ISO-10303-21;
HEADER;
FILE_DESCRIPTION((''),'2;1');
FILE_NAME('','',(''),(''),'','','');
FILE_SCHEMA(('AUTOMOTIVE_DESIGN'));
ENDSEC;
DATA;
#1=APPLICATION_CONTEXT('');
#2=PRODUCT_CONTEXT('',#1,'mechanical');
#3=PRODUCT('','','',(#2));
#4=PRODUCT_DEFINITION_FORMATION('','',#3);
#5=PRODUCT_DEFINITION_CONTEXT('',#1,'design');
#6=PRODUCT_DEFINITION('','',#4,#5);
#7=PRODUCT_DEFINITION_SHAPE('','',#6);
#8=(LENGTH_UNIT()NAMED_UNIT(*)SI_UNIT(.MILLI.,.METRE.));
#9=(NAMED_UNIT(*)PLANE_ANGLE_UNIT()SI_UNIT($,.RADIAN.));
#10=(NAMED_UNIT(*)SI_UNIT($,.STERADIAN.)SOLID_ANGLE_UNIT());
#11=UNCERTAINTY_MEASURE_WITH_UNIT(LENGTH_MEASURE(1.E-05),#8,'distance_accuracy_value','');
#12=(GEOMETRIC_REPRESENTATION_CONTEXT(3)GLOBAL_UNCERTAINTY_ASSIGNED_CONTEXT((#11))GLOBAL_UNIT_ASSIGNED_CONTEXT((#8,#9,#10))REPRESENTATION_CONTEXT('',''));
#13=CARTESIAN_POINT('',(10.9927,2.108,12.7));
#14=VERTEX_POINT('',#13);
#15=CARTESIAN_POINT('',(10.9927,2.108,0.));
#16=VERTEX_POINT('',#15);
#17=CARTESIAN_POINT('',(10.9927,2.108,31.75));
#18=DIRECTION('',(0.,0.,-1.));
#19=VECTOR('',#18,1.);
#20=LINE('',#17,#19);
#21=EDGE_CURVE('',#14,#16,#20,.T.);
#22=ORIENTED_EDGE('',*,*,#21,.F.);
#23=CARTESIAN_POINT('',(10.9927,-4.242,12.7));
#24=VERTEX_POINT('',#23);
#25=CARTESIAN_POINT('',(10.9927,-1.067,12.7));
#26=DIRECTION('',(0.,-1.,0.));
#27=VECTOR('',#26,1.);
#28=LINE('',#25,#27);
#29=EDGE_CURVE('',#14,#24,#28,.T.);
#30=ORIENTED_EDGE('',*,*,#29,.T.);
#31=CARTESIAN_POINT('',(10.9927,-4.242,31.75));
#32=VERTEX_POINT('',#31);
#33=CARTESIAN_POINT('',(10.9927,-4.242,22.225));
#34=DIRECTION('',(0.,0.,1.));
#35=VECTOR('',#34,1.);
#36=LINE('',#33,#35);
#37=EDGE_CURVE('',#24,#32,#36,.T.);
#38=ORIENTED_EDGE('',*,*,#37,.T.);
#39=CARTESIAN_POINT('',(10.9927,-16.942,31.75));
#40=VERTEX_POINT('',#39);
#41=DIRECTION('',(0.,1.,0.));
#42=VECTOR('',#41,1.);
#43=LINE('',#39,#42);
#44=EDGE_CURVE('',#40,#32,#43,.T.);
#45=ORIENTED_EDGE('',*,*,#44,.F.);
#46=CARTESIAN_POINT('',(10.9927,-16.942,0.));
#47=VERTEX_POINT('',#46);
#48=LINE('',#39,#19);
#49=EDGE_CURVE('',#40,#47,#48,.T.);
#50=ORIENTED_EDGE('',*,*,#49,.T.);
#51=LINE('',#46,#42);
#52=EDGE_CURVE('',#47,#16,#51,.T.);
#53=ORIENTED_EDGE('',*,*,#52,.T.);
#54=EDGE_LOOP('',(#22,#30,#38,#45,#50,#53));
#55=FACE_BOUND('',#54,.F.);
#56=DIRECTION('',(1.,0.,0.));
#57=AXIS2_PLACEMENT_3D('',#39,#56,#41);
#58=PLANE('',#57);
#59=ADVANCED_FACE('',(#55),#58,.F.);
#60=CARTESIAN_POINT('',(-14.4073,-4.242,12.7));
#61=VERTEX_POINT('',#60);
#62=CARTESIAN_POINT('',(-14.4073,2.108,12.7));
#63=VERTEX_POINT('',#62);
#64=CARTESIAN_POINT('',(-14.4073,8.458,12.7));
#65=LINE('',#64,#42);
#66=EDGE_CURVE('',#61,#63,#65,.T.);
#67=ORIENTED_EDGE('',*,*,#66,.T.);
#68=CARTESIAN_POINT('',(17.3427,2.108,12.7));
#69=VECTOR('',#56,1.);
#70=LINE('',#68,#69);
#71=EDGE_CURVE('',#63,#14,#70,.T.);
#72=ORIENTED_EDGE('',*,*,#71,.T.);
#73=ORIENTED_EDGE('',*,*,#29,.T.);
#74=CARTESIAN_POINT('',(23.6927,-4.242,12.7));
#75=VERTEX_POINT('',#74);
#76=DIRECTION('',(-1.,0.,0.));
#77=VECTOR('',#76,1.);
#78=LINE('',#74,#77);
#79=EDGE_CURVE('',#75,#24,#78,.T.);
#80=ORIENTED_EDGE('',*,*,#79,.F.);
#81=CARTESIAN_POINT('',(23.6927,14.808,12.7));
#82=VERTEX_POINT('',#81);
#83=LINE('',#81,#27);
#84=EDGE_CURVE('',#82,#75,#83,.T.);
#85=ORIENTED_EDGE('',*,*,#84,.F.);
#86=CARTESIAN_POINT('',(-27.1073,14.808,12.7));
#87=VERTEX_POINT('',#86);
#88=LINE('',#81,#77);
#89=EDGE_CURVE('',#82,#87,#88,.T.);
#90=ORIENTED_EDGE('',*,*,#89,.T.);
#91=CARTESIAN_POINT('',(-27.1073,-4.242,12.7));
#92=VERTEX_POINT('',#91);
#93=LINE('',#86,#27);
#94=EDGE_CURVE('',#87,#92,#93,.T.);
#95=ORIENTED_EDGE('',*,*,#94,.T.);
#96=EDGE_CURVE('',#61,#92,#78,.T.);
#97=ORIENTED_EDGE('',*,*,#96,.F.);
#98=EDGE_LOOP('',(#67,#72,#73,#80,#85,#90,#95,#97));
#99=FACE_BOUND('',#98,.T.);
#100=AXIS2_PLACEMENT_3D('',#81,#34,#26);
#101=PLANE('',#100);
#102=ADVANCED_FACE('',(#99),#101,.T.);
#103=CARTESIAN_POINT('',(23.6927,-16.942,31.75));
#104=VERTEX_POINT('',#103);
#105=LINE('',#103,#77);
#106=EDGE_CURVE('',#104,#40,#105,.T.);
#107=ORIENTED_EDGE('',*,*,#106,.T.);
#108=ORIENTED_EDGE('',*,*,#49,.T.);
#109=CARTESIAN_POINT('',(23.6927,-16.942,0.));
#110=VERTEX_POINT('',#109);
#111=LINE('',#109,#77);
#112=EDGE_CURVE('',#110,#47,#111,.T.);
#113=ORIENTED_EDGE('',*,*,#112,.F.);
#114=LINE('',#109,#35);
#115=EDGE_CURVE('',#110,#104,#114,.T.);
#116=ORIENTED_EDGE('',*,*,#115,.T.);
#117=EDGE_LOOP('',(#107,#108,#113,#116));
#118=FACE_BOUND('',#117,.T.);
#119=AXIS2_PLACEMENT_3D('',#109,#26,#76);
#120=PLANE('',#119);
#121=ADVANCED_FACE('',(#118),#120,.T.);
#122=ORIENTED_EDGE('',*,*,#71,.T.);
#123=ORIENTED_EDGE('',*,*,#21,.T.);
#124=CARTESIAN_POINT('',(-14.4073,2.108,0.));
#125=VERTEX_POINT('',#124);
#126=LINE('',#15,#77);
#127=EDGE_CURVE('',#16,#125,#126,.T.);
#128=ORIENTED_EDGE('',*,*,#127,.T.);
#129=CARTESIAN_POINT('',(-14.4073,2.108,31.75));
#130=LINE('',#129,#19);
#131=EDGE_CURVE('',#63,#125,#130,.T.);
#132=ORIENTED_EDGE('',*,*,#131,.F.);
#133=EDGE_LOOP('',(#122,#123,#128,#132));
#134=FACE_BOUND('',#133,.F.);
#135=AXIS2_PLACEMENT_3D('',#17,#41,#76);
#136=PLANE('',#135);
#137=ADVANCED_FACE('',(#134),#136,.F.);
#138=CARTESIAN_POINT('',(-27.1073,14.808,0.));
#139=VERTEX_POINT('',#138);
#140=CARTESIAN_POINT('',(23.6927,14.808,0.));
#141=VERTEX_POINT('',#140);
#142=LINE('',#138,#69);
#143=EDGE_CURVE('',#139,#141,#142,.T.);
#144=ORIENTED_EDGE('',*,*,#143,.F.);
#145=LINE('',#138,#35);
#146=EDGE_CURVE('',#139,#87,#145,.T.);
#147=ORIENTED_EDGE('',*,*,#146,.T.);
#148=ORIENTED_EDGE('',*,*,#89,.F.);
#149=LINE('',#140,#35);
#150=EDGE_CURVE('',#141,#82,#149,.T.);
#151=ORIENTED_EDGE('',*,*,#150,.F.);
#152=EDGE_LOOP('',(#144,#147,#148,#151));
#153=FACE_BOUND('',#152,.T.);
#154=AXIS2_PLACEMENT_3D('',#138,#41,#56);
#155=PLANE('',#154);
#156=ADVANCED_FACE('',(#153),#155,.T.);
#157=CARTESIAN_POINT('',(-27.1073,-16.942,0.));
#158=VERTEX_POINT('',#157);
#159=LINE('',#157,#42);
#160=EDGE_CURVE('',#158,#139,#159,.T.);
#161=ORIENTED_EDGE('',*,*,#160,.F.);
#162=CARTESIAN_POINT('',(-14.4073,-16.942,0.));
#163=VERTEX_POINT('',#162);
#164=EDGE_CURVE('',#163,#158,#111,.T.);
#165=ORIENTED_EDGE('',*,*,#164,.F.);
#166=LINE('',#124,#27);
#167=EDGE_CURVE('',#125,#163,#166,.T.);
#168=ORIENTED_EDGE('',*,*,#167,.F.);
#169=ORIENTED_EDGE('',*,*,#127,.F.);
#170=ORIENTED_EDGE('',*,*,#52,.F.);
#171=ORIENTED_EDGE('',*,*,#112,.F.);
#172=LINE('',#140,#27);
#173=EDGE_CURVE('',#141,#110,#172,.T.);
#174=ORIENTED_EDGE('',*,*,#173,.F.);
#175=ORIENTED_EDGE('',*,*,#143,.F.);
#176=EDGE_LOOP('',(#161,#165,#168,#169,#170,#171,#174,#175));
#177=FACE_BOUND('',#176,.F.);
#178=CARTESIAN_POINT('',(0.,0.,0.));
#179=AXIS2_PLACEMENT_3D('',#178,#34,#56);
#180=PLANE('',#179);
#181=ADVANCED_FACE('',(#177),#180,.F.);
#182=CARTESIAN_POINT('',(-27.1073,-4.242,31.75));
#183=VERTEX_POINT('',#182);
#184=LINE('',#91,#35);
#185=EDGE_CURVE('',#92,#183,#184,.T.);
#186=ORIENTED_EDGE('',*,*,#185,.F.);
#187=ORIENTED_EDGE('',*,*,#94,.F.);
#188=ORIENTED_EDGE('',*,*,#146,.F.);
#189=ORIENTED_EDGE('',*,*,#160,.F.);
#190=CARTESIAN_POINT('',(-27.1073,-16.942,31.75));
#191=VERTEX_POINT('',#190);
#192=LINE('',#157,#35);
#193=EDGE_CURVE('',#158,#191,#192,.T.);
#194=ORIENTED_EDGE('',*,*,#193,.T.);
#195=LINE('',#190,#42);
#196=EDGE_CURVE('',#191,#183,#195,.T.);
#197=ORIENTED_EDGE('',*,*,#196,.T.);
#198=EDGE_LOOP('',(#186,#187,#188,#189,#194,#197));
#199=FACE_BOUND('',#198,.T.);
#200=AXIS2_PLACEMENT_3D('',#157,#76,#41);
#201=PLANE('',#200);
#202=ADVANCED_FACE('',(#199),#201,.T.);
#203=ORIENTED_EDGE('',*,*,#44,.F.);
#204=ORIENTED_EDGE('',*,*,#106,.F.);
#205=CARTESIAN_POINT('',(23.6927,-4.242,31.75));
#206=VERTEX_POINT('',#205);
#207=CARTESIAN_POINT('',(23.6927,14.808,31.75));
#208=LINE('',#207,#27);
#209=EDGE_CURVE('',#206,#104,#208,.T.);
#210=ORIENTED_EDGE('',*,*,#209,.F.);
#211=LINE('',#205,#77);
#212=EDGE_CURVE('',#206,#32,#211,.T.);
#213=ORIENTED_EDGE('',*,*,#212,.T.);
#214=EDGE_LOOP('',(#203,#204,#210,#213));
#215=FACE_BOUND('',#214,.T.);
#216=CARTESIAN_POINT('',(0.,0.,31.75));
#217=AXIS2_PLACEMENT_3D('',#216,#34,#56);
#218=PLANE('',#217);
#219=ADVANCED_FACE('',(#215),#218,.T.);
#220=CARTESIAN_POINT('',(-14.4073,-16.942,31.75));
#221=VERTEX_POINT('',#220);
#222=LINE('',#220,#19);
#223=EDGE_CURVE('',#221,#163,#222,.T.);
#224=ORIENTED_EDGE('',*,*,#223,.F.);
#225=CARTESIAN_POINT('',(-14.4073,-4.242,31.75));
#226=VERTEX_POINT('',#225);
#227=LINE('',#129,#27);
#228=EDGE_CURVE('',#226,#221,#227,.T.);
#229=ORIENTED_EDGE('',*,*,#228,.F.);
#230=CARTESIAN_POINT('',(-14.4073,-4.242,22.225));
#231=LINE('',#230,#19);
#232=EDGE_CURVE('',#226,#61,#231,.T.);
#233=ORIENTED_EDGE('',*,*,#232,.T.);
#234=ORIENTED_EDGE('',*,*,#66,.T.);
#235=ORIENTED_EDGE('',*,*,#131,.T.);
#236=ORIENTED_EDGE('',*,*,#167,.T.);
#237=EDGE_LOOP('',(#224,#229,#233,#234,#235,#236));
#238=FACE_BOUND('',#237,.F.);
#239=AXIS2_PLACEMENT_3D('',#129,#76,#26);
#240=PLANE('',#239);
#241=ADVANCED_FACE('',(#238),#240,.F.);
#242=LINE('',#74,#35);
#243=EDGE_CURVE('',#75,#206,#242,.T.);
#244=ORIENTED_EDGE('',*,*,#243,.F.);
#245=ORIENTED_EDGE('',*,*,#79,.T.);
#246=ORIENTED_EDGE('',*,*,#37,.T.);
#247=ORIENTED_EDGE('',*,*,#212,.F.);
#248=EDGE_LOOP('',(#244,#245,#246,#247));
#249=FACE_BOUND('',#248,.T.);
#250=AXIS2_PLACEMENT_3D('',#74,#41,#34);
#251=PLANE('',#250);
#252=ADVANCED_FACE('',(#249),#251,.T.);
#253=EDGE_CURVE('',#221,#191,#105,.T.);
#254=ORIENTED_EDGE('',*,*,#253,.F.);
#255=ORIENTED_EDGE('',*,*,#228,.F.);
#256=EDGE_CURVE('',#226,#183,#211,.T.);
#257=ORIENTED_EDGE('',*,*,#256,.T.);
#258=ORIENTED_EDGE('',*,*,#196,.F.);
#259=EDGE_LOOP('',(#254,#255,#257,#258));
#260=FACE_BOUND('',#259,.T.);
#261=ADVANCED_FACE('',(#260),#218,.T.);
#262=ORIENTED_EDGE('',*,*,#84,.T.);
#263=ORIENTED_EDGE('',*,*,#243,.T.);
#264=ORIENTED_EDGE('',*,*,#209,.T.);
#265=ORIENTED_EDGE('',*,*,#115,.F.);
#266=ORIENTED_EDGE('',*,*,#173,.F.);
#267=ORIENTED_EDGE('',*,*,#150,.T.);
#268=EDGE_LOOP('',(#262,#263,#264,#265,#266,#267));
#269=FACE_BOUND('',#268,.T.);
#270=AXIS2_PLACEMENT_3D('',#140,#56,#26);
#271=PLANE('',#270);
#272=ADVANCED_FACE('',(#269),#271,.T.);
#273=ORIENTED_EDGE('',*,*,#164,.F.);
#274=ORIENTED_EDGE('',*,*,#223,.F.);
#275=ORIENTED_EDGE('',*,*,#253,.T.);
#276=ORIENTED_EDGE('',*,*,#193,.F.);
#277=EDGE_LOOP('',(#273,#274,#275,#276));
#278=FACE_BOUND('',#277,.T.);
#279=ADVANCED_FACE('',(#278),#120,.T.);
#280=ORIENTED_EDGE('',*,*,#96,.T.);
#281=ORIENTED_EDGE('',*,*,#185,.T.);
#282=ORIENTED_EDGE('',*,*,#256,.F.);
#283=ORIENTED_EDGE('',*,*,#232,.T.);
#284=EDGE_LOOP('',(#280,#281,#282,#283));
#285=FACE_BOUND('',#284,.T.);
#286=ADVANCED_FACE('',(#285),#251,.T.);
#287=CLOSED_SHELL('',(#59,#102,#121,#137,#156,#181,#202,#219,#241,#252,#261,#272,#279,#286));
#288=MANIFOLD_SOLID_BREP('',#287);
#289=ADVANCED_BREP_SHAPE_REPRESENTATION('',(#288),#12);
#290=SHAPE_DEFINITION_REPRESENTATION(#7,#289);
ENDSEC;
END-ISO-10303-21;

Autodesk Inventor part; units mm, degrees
ref_plane "YZ Plane" through (0, 0, 0) normal (1, 0, 0) x (0, 1, 0)
ref_plane "XZ Plane" through (0, 0, 0) normal (0, 1, 0) x (-1, 0, 0)
ref_plane "XY Plane" through (0, 0, 0) normal (0, 0, 1) x (1, 0, 0)
sketch "Sketch1" plane through (0, 0, 0) normal (0, 0, 1) x (1, 0, 0)
  line L0 (-27.1073, 14.808) -> (23.6927, 14.808)
  line L1 (23.6927, 14.808) -> (23.6927, -16.942)
  line L2 (23.6927, -16.942) -> (-27.1073, -16.942)
  line L3 (-27.1073, -16.942) -> (-27.1073, 14.808)
  point P0 (0, 0)
  dimension "d0" = 50.8
  dimension "d1" = 31.75
extrude "Extrusion1" add sketch "Sketch1" along normal blind 31.75
sketch "Sketch2" plane through (0, 0, 31.75) normal (0, 0, 1) x (1, 0, 0)
  line L0 (-27.1073, -16.942) -> (23.6927, -16.942) projected
  line L1 (-14.4073, -16.942) -> (10.9927, -16.942)
  line L2 (10.9927, -16.942) -> (10.9927, 2.108)
  line L3 (10.9927, 2.108) -> (-14.4073, 2.108)
  line L4 (-14.4073, 2.108) -> (-14.4073, -16.942)
  line L5 (-27.1073, 14.808) -> (-27.1073, -16.942) projected
  line L6 (23.6927, -16.942) -> (23.6927, 14.808) projected
  point P0 (0, 0)
  dimension "d4" = 12.7
  dimension "d5" = 12.7
  dimension "d6" = 19.05
extrude "Extrusion2" cut sketch "Sketch2" against normal blind 31.75
sketch "Sketch3" plane through (23.6927, -16.942, 0) normal (1, 0, 0) x (0, 0, -1)
  line L0 (-31.75, 0) -> (-31.75, 31.75) projected
  line L1 (-31.75, 31.75) -> (-12.7, 31.75)
  line L2 (-12.7, 31.75) -> (-12.7, 12.7)
  line L3 (-12.7, 12.7) -> (-31.75, 12.7)
  line L4 (-31.75, 12.7) -> (-31.75, 31.75)
  point P0 (0, 16.942)
  dimension "d9" = 19.05
  dimension "d10" = 19.05
extrude "Extrusion3" cut sketch "Sketch3" against normal blind 50.8
properties part number "Figure 7_27_5"
